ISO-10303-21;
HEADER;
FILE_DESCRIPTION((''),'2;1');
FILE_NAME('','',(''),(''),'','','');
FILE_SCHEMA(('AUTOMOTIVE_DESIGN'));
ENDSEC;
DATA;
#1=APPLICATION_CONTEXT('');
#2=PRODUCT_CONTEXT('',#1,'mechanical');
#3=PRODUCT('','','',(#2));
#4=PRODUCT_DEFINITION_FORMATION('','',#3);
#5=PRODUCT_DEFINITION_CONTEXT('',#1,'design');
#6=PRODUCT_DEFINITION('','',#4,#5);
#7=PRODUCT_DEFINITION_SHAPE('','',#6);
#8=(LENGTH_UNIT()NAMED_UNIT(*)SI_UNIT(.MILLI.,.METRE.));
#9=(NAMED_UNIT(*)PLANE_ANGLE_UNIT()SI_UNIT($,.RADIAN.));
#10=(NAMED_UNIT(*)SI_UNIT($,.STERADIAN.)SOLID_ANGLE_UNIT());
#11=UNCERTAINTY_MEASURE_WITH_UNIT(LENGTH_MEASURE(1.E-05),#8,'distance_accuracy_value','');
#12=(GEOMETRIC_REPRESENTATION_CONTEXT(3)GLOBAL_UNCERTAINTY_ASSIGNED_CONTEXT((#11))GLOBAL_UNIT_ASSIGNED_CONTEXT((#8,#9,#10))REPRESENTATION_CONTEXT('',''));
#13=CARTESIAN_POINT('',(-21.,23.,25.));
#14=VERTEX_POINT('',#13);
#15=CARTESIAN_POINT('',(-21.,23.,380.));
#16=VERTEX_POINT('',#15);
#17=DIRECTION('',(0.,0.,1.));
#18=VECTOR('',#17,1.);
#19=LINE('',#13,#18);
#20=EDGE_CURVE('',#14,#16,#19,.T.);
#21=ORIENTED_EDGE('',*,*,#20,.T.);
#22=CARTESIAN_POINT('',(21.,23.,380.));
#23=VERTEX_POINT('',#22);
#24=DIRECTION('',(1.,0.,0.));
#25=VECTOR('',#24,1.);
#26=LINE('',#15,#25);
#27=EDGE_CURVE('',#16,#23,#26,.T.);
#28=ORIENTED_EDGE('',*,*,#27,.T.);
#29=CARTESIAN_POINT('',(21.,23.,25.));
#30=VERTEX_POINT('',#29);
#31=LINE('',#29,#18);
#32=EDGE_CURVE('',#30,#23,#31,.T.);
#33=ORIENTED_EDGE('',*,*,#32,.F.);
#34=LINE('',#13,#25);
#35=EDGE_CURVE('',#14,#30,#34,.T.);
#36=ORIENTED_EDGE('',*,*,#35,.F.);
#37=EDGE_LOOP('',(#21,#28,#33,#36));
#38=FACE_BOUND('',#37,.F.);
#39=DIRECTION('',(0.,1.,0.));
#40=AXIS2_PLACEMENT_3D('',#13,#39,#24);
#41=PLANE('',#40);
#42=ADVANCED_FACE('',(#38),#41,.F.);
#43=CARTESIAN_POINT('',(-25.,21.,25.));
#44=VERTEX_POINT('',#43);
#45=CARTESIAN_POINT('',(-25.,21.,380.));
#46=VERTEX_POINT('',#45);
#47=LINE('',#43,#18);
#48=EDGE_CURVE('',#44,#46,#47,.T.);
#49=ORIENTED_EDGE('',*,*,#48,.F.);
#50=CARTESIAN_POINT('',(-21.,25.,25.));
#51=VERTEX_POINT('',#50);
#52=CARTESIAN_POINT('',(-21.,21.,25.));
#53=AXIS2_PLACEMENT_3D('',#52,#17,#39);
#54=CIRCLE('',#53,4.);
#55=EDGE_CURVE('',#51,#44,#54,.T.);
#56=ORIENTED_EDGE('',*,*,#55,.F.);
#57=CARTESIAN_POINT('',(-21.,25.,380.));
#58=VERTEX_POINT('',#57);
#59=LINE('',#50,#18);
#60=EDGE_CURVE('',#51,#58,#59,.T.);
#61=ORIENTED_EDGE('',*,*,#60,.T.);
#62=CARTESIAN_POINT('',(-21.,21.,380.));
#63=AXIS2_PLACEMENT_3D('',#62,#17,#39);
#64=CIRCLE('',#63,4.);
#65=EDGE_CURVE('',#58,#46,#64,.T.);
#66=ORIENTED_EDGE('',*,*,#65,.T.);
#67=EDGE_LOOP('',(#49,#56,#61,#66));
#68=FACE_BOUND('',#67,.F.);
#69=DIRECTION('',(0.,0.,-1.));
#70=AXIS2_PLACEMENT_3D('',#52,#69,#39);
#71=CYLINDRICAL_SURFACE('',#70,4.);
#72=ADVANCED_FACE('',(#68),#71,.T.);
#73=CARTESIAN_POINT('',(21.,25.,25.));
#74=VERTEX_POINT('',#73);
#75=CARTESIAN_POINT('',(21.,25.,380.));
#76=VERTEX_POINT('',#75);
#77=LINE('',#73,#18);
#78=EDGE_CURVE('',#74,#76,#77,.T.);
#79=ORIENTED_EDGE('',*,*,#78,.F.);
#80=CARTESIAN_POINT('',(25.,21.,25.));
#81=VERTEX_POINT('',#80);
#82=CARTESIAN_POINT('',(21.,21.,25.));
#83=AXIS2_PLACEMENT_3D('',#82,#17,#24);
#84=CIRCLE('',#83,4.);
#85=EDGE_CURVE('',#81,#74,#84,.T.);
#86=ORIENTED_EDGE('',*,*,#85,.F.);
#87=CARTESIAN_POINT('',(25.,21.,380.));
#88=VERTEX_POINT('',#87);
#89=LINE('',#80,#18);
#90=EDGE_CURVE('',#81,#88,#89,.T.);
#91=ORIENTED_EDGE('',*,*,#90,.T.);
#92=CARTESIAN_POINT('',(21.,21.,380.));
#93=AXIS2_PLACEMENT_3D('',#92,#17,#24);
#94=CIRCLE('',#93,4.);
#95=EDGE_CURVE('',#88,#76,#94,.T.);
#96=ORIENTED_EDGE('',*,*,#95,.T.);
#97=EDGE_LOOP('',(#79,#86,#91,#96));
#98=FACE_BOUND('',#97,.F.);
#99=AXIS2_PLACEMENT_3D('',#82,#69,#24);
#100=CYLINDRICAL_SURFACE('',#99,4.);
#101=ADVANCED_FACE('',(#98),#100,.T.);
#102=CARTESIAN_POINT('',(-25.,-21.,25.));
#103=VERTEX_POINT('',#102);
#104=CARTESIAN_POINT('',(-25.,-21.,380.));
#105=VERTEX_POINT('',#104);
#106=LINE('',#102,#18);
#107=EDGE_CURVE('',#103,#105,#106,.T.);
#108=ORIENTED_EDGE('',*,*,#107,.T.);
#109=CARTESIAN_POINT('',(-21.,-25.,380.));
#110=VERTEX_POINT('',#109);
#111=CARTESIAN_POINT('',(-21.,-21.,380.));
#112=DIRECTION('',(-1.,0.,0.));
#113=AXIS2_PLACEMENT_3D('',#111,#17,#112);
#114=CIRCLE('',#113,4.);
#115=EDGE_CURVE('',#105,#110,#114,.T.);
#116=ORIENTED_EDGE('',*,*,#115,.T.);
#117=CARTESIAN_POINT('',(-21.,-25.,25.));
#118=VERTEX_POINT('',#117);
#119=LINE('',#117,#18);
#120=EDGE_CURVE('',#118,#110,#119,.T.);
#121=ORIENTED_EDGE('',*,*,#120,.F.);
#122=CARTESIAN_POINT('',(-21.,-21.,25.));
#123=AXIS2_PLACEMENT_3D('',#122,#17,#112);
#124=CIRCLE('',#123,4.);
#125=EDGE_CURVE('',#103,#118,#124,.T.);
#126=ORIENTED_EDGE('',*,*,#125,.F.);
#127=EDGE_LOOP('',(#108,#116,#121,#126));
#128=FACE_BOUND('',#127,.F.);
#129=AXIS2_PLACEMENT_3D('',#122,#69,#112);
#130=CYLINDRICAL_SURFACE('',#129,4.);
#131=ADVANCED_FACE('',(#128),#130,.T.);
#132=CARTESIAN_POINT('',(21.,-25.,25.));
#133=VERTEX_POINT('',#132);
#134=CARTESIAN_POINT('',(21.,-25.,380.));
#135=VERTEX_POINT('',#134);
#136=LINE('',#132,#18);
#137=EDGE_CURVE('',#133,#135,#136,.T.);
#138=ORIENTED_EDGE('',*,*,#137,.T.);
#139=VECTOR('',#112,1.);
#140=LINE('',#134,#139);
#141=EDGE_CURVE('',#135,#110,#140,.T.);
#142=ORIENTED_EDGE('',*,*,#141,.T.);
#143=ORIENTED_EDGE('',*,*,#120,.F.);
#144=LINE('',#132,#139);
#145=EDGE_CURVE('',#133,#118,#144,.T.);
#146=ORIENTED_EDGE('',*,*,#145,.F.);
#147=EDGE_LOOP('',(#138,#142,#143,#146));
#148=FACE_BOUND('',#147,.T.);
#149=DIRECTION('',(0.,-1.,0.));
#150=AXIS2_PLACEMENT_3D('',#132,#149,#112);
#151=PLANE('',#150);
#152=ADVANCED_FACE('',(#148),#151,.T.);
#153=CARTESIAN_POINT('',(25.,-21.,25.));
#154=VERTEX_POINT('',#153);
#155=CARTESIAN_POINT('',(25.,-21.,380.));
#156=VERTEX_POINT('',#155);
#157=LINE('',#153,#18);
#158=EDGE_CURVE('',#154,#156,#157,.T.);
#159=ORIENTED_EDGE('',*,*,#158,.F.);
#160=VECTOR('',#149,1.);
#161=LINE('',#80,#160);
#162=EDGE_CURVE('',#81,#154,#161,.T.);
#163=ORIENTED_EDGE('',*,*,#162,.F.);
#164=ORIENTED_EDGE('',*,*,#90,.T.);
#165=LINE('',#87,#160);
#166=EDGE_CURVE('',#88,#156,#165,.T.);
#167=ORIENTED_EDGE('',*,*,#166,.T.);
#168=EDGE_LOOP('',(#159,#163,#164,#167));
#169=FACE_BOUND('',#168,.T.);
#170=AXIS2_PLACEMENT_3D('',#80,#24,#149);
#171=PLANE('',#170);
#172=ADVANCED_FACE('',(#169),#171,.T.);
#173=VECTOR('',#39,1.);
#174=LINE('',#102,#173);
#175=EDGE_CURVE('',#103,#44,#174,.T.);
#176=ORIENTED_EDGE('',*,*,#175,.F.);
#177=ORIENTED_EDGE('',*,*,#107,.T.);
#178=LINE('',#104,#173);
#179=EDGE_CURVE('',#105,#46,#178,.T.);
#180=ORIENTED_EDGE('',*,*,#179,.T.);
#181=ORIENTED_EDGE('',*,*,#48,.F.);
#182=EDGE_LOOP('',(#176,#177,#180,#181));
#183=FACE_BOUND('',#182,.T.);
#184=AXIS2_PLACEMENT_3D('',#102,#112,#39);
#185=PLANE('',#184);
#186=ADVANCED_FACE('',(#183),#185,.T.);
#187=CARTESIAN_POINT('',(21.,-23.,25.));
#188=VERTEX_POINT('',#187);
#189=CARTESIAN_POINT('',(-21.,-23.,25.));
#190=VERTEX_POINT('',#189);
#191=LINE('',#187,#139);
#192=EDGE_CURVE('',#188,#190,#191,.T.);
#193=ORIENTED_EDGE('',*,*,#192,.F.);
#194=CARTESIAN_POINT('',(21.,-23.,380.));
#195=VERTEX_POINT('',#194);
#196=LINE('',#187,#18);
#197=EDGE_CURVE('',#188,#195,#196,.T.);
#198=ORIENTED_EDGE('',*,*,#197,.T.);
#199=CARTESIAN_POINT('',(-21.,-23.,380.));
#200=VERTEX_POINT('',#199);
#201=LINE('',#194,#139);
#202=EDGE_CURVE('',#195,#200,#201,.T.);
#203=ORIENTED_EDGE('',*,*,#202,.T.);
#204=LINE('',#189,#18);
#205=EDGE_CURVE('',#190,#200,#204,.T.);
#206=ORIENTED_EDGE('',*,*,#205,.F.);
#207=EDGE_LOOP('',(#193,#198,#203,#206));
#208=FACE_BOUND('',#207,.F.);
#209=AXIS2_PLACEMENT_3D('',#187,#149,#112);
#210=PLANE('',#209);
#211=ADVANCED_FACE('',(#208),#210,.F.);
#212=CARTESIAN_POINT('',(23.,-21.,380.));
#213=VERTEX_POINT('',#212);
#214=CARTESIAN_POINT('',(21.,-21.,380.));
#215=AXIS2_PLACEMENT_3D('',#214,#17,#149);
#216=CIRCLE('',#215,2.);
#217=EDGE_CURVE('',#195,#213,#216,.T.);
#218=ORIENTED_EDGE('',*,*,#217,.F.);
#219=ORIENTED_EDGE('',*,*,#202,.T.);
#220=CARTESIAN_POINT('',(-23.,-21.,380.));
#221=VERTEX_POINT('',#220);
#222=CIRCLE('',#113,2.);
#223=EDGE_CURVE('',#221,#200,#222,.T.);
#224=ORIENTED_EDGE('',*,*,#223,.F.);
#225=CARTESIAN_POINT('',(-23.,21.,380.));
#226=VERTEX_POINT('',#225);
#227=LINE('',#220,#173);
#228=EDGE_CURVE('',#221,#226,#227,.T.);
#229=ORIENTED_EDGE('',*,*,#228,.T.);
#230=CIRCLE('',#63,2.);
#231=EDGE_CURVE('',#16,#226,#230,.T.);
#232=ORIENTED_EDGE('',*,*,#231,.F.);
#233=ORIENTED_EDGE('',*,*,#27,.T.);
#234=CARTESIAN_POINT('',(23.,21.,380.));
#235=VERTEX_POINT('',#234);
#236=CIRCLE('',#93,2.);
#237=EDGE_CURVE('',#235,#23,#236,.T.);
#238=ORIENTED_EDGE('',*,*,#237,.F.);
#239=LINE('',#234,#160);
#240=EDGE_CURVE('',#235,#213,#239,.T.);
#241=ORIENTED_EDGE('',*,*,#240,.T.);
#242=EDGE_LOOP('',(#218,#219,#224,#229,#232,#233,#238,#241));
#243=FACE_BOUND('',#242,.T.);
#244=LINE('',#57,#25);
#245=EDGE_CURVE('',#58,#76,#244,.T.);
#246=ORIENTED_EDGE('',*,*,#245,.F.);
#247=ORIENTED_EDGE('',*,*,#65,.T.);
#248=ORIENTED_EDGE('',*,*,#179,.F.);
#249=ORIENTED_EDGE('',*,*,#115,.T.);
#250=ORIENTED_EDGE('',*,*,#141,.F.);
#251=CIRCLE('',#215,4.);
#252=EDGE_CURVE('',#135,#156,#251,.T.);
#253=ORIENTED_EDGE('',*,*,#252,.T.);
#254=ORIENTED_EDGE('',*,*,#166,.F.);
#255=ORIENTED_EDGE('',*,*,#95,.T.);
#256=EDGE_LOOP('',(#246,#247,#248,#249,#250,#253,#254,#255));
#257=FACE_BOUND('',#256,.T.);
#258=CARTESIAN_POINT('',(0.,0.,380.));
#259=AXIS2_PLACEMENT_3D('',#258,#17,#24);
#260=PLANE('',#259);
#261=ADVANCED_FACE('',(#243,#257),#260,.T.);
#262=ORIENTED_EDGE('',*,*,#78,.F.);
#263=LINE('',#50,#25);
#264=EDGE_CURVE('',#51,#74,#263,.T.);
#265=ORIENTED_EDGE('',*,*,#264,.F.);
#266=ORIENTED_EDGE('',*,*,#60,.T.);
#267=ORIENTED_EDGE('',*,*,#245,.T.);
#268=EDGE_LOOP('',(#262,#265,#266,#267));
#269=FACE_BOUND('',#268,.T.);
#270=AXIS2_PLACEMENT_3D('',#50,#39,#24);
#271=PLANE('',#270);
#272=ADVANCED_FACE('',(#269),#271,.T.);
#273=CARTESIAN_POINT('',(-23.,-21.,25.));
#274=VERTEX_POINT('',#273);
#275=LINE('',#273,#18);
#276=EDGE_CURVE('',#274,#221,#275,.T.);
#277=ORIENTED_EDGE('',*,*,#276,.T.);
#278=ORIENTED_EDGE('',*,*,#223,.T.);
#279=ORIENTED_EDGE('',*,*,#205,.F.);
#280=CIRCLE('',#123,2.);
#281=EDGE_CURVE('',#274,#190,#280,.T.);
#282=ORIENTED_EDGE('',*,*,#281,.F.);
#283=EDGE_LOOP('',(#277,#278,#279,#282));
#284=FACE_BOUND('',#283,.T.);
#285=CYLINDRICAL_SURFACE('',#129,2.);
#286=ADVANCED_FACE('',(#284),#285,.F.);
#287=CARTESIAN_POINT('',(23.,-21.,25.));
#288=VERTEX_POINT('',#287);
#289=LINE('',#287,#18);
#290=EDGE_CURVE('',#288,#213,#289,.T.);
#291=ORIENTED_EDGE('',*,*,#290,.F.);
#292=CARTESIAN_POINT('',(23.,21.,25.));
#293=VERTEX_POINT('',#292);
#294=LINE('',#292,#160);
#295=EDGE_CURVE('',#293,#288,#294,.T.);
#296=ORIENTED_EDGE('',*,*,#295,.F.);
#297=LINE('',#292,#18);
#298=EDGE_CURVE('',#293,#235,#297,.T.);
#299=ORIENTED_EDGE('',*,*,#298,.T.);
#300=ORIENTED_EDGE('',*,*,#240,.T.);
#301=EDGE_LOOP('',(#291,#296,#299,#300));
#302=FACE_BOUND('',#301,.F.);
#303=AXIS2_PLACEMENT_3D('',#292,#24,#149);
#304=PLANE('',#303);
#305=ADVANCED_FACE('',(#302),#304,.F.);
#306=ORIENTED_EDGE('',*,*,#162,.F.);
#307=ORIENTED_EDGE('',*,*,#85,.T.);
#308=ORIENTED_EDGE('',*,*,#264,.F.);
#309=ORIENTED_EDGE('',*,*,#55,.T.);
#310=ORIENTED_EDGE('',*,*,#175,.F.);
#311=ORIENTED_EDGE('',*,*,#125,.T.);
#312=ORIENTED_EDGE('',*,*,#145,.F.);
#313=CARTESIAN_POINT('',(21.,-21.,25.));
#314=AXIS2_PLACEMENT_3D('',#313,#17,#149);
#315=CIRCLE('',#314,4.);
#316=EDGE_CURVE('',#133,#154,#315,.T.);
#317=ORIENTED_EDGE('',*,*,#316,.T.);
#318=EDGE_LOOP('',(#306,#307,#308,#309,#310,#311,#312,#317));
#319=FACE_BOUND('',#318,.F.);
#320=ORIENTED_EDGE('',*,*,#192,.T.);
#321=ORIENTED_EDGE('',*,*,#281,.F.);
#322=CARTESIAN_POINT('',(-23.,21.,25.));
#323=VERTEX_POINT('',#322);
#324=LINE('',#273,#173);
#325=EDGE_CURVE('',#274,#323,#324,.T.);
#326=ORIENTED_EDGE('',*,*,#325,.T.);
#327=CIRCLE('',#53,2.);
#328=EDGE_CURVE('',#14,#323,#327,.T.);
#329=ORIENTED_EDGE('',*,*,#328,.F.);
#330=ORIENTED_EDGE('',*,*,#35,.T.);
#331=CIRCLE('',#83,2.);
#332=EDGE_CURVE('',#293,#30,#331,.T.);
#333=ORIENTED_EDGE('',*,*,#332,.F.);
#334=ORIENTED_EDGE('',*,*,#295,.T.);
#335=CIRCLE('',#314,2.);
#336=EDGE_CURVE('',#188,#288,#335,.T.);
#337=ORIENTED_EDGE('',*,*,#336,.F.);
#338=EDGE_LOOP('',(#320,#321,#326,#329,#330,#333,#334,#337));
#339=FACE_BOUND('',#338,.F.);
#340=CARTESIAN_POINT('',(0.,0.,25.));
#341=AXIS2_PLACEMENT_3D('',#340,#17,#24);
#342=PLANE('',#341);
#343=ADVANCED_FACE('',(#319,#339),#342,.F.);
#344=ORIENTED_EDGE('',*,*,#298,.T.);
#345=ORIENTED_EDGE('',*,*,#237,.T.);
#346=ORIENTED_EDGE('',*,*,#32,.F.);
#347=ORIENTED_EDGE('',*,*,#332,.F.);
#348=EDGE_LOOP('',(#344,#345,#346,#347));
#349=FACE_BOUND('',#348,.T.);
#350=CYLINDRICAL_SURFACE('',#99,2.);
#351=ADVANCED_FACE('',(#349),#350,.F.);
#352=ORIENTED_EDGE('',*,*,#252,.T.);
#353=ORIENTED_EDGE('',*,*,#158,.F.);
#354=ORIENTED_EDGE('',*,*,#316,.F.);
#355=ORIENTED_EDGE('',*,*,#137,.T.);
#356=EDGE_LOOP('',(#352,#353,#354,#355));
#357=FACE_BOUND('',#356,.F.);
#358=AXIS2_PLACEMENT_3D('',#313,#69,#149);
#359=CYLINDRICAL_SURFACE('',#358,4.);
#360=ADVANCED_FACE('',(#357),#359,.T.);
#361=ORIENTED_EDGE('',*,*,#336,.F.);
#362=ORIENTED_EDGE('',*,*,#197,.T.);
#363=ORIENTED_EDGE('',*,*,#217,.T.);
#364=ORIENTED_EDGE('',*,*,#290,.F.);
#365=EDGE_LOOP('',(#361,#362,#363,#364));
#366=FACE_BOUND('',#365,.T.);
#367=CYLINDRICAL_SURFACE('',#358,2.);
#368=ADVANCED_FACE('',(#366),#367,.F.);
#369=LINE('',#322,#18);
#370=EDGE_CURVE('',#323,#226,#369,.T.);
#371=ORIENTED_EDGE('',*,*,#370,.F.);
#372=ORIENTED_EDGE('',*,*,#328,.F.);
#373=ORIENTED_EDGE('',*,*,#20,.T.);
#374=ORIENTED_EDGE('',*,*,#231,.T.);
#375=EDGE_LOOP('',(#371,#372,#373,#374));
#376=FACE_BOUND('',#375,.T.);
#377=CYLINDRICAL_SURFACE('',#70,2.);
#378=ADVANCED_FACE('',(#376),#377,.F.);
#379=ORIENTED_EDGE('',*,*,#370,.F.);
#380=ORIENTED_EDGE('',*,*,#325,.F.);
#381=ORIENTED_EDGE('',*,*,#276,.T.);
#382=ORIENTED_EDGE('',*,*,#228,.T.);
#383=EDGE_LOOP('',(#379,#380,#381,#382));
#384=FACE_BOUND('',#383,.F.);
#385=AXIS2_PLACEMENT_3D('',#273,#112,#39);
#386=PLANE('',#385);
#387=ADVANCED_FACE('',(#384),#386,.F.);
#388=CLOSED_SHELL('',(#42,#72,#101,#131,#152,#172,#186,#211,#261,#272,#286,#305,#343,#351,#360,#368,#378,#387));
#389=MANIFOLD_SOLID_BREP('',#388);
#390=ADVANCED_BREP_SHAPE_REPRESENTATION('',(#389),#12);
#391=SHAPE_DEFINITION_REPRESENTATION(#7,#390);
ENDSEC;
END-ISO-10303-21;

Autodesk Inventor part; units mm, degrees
ref_plane "Start Plane" through (0, 0, 25) normal (0, 0, 1) x (1, 0, 0)
ref_plane "End Plane" through (0, 0, 380) normal (0, 0, 1) x (1, 0, 0)
sketch "Sketch" plane through (0, 0, 0) normal (0, 0, 1) x (1, 0, 0)
  line L0 (-25, -21) -> (-25, 21)
  line L1 (-21, 25) -> (21, 25)
  line L2 (25, 21) -> (25, -21)
  line L3 (21, -25) -> (-21, -25)
  arc A0 (-25, -21) -> (-21, -25) centre (-21, -21) ccw
  arc A1 (25, 21) -> (21, 25) centre (21, 21) ccw
  arc A2 (-21, 25) -> (-25, 21) centre (-21, 21) ccw
  arc A3 (21, -25) -> (25, -21) centre (21, -21) ccw
  arc A4 (-21, 23) -> (-23, 21) centre (-21, 21) ccw
  line L4 (-21, 23) -> (21, 23)
  arc A5 (23, 21) -> (21, 23) centre (21, 21) ccw
  line L5 (23, 21) -> (23, -21)
  arc A6 (21, -23) -> (23, -21) centre (21, -21) ccw
  line L6 (21, -23) -> (-21, -23)
  arc A7 (-23, -21) -> (-21, -23) centre (-21, -21) ccw
  line L7 (-23, -21) -> (-23, 21)
  line L8 (0, 36.1598) -> (0, -36.1598) construction
  line L9 (-36.1598, 0) -> (36.1598, 0) construction
  dimension "d7" = 4
  dimension "d9" = 50
  dimension "d11" = 50
  dimension "d12" = 2
  dimension "d15" = 25
  dimension "d16" = 25
extrude "Body" add sketch "Sketch" along normal up to surface (355 mm away) from surface at 25
sketch "Sketch3" plane through (0, 0, 0) normal (0, 0, 1) x (1, 0, 0)
  line L0 (0, 0) -> (10, 0)
ref_plane "Work Plane3" through (0, 0, 0) normal (0, -1, 0) x (1, 0, 0)
sketch "Sketch4" plane through (0, 0, 0) normal (0, -1, 0) x (1, 0, 0)
  line L0 (-2, 25) -> (12, 25)
  line L1 (-2, 380) -> (12, 380)
  dimension "d18" = 355
ref_plane "Work Plane4" through (-149.94, 21, 380) normal (0, 0, 1) x (1, 0, 0)
split "Split1" plane through (-149.94, 21, 380) removes the side toward (0, 0, 1)
ref_plane "Work Plane5" through (350.06, 21, 25) normal (0, 0, -1) x (-1, 0, 0)
split "Split2" plane through (350.06, 21, 25) removes the side toward (0, 0, -1)
equation "\"d7\" = G_IR"
equation "\"d9\" = G_W"
equation "\"d11\" = G_H"
equation "\"d12\" = G_T"
equation "\"d15\" = 0.5 * d9"
equation "\"d16\" = 0.5 * d11"
equation "\"d3\" = G_L"
equation "\"G_W\" = 50"
equation "\"G_H\" = 50"
equation "\"G_T\" = 2"
equation "\"G_IR\" = 4"
equation "\"G_L\" = d18"
equation "\"G_OFFSET_START\" = -25"
equation "\"G_OFFSET_END\" = -25"
equation "\"d13\" = -G_OFFSET_START"
equation "\"B_L\" = 405"
properties part number "ISO 10799-2 - 50x50x2 - 355" material "Galvanizado catalogo 1"
